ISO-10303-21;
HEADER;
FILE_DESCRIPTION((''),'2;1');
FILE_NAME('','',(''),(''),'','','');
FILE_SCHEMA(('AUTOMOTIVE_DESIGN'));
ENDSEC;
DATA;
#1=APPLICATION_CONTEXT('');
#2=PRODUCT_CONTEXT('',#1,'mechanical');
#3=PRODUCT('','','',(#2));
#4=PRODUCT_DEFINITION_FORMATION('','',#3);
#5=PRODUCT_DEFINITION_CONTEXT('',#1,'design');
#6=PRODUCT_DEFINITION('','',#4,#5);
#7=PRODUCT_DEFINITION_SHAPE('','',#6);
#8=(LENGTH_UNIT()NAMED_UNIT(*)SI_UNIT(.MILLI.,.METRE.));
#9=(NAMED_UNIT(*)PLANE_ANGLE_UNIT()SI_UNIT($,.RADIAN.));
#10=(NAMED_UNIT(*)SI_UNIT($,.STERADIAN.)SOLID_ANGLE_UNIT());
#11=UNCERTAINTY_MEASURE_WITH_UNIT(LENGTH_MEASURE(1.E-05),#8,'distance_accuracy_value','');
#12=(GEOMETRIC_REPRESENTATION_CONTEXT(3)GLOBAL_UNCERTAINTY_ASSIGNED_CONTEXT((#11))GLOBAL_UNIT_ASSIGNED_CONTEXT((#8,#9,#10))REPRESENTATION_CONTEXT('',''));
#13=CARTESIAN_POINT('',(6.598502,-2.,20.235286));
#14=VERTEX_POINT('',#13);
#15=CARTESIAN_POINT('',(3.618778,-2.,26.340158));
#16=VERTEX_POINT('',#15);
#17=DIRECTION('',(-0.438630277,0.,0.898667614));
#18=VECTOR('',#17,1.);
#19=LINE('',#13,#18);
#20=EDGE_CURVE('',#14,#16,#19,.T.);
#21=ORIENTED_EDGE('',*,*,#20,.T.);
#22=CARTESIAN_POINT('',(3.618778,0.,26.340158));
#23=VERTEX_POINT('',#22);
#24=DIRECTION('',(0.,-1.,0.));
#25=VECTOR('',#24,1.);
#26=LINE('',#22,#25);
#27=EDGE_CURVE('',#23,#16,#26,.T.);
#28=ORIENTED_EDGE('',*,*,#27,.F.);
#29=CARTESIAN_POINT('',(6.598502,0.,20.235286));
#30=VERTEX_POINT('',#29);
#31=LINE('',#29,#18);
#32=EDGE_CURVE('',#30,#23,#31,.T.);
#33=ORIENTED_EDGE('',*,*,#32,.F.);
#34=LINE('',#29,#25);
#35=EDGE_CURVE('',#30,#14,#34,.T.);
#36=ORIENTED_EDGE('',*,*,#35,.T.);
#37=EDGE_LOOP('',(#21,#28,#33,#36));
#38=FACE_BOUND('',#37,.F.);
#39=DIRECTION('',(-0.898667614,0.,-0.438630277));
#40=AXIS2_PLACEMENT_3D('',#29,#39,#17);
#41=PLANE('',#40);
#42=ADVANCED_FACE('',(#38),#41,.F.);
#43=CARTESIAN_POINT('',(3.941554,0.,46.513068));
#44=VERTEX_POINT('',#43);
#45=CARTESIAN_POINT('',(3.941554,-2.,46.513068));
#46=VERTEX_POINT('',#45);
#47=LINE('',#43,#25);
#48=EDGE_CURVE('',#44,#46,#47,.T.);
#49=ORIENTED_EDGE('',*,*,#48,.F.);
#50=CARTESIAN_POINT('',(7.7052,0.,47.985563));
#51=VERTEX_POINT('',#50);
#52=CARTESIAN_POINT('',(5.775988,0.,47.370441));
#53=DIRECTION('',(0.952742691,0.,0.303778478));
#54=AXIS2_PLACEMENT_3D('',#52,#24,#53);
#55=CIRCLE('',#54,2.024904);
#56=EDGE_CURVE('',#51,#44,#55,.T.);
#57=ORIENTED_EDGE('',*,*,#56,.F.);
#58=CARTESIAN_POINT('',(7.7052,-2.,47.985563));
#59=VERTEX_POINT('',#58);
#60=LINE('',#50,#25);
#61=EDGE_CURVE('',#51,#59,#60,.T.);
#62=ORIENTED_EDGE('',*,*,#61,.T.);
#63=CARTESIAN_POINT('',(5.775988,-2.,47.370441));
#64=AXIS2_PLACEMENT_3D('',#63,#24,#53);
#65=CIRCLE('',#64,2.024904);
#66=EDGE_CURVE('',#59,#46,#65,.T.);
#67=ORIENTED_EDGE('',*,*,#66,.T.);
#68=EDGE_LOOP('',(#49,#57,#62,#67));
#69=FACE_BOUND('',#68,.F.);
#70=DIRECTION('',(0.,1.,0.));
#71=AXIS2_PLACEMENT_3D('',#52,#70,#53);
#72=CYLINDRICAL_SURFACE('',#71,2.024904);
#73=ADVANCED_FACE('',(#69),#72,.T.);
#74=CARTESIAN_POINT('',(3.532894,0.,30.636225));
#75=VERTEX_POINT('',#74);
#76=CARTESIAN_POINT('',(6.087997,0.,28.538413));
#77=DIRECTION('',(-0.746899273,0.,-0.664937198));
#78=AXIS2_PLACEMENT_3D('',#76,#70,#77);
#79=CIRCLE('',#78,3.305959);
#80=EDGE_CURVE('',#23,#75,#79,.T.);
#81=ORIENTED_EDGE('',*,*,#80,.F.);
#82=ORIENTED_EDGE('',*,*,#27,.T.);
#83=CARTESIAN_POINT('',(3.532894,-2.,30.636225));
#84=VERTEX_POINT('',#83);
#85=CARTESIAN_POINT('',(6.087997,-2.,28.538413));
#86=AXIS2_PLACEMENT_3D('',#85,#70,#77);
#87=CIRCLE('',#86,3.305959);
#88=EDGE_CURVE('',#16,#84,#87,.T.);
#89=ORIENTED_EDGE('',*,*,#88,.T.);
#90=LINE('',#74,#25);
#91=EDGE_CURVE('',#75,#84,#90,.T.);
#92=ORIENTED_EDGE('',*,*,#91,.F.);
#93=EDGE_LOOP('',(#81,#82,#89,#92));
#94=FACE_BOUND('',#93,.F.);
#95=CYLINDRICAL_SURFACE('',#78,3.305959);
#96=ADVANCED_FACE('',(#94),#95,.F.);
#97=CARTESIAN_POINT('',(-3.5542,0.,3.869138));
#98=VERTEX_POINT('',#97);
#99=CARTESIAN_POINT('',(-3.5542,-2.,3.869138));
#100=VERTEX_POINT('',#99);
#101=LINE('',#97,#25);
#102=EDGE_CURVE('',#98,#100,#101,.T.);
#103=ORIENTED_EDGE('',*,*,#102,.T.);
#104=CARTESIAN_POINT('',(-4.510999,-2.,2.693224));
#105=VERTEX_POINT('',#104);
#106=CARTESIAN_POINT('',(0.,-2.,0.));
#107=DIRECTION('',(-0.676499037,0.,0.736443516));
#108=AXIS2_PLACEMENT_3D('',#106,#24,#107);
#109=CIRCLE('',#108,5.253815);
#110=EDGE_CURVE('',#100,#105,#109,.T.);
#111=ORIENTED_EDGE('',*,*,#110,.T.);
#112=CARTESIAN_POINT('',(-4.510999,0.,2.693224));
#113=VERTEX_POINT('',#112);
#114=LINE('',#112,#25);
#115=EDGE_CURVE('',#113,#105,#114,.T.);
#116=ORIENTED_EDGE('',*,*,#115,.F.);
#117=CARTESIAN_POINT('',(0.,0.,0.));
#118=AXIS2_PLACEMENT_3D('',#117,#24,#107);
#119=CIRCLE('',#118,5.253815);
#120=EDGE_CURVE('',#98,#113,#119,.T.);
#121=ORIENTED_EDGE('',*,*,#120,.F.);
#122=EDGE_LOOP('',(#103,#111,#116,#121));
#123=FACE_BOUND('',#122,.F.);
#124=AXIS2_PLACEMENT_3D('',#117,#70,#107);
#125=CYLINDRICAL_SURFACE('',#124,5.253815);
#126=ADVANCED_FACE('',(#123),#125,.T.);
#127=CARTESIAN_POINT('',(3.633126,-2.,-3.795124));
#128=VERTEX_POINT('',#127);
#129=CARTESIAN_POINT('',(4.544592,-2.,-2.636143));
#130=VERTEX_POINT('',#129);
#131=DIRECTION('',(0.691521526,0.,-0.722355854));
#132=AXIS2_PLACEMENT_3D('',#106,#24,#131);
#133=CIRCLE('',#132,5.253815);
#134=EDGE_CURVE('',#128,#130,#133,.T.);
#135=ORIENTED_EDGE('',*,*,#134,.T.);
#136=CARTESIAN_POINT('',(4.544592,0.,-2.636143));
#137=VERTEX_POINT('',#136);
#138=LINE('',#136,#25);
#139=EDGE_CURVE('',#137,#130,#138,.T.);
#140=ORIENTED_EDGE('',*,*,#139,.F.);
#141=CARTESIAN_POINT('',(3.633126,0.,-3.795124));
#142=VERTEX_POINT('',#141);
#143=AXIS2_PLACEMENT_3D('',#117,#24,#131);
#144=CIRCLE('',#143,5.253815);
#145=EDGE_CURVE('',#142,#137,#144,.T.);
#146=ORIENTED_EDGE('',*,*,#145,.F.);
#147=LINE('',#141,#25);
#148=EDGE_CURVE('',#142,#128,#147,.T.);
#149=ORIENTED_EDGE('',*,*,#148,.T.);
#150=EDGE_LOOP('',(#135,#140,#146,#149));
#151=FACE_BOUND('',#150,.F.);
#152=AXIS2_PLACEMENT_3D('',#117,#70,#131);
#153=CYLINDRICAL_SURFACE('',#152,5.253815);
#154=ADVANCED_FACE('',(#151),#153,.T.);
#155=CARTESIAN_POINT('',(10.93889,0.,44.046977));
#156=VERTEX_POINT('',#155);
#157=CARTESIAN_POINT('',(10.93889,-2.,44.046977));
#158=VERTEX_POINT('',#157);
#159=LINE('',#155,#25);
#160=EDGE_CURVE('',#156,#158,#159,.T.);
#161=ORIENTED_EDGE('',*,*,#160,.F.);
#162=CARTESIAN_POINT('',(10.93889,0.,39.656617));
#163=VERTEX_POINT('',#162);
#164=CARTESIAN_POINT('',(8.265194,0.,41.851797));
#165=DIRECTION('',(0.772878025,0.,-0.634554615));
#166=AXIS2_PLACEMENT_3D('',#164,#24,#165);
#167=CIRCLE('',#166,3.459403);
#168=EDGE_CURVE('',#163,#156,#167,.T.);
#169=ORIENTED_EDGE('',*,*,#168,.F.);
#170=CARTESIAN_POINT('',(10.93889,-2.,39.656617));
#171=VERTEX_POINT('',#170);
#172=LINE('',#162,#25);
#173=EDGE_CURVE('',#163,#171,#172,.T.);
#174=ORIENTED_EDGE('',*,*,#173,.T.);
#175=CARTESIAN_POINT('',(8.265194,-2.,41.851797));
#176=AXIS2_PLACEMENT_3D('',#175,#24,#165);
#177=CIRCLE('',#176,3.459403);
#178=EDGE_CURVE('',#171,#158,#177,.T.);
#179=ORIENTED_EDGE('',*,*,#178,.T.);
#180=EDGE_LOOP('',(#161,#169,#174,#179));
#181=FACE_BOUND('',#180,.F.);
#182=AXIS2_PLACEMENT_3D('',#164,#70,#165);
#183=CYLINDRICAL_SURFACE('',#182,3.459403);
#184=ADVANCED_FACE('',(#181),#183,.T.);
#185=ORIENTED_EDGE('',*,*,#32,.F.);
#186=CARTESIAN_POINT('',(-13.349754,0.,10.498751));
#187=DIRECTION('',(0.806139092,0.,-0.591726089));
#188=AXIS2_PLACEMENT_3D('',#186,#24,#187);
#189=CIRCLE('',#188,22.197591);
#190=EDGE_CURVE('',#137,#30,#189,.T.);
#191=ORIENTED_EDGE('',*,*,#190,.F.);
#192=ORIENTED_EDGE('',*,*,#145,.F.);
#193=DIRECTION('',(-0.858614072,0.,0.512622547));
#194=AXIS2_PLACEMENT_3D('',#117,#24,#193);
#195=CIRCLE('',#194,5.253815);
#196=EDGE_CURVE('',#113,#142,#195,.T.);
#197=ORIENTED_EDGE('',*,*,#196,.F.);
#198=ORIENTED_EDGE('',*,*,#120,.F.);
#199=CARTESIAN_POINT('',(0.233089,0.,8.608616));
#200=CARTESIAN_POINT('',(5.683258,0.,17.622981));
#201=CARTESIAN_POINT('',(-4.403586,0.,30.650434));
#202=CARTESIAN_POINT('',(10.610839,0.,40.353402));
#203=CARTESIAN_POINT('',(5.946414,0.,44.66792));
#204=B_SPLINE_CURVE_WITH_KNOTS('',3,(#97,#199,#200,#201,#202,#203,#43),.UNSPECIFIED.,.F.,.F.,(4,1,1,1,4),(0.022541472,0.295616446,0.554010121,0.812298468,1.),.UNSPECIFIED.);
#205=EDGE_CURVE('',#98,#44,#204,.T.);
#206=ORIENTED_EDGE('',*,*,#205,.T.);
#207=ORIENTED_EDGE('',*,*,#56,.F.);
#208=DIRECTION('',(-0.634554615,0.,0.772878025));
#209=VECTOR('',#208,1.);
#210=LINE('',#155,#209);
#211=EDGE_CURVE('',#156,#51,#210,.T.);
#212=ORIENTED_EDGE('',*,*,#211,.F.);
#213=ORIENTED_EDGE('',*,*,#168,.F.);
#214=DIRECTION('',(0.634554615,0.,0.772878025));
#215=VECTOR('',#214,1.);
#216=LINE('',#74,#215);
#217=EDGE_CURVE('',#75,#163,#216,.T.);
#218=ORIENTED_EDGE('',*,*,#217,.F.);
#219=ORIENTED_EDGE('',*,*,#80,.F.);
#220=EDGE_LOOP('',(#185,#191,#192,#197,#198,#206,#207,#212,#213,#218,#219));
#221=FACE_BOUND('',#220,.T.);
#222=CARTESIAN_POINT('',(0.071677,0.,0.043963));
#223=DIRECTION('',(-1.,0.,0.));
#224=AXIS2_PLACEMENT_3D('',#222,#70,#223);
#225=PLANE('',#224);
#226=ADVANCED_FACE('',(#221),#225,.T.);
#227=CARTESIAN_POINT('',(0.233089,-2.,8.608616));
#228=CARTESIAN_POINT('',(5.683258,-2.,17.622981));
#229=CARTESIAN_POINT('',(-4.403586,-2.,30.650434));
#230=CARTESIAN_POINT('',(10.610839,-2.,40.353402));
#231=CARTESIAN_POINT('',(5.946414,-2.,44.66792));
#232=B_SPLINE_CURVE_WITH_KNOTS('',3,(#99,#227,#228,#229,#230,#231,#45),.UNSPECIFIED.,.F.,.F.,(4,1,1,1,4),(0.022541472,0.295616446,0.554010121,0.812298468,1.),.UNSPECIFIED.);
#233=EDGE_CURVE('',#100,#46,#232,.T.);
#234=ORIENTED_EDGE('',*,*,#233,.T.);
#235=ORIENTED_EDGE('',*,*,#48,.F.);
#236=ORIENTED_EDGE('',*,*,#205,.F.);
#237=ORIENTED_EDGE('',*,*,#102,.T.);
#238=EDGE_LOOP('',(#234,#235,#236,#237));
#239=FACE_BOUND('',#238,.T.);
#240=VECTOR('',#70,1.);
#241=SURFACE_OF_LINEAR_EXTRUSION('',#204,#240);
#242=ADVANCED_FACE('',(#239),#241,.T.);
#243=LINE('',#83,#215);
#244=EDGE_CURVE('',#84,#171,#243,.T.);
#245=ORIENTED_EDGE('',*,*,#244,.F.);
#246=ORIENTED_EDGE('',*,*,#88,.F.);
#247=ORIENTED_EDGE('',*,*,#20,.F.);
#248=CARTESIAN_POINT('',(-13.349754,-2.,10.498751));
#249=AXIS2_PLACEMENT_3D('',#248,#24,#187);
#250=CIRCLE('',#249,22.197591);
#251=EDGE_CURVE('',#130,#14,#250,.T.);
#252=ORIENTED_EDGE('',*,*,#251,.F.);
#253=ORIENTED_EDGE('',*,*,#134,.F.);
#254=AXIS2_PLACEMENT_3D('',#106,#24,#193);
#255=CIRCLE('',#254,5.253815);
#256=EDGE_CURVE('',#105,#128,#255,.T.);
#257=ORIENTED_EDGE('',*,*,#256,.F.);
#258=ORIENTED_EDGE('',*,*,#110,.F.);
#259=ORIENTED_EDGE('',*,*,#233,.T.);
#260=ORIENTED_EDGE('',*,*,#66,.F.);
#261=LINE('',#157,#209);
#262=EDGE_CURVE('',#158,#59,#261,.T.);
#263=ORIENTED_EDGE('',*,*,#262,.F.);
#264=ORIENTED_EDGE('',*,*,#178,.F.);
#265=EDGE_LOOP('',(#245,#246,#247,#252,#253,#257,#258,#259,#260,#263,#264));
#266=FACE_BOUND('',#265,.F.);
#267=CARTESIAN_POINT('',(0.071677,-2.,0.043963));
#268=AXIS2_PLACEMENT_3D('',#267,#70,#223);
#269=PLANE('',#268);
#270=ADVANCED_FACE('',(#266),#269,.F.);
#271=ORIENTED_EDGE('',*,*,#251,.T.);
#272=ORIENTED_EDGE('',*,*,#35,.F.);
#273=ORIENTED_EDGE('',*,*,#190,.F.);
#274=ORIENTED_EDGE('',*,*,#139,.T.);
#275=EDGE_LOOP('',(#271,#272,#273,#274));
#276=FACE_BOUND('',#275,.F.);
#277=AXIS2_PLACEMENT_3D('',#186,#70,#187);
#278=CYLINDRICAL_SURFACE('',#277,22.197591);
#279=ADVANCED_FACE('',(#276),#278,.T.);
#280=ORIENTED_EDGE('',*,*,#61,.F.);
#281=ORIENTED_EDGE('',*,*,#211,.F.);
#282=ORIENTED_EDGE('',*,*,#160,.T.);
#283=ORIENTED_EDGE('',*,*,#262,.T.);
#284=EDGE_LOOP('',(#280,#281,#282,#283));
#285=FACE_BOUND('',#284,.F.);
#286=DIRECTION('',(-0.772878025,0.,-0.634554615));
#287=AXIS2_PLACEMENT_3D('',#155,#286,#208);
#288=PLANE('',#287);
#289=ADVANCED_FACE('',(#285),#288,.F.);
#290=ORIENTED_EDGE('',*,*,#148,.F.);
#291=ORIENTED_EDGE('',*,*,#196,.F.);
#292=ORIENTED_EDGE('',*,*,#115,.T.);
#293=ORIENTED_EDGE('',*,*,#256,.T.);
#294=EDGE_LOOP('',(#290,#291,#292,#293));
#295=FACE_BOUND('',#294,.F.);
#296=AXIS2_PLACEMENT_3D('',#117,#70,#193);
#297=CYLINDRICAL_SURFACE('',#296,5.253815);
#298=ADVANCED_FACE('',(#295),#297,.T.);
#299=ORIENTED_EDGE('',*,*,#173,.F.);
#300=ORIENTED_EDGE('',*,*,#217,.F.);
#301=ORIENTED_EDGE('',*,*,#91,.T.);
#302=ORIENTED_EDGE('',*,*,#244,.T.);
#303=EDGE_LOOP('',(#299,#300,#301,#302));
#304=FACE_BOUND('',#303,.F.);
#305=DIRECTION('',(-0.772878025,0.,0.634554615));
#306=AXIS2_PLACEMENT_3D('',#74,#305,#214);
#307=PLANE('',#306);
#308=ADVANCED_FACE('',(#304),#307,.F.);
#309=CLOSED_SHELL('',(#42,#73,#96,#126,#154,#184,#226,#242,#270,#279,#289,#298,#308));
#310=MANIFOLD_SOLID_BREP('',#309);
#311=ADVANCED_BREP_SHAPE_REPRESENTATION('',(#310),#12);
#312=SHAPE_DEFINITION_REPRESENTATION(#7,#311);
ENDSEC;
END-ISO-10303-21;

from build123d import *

# Parameters (mm, degrees)
F1_DEPTH = 2


with BuildPart() as f1:
    # F0 (on Front) → F1 (new body)
    with BuildSketch(Plane.XZ):
        with BuildLine():
            add(Edge.make_bspline(
                [(-4.5109990913, 2.6932237879), (-4.186182771, 3.0859454597), (-3.8668291746, 3.4779087892), (-3.5542004754, 3.86913765)],
                knots=[0, 0, 0, 0, 0.0225414722, 0.0225414722, 0.0225414722, 0.0225414722], degree=3))
            ThreePointArc((-4.5109990913, 2.6932237879), (-3.2737331278, -4.1091651928), (3.6331258428, -3.795123685))
            ThreePointArc((3.6331258428, -3.795123685), (4.0984846738, -3.2232032554), (4.5445921749, -2.6361428523))
            ThreePointArc((4.5445921749, -2.6361428523), (5.0734116529, -1.3649400623), (5.2538145355, 0))
            ThreePointArc((5.2538145355, 0), (2.1129904228, 4.8101807291), (-3.5542004754, 3.86913765))
        make_face()
        with BuildLine():
            ThreePointArc((-3.5542004754, 3.86913765), (-4.0752367251, 3.3158728577), (-4.5109990913, 2.6932237879))
            add(Edge.make_bspline(
                [(-4.5109990913, 2.6932237879), (-4.186182771, 3.0859454597), (-3.8668291746, 3.4779087892), (-3.5542004754, 3.86913765)],
                knots=[0, 0, 0, 0, 0.0225414722, 0.0225414722, 0.0225414722, 0.0225414722], degree=3))
        make_face()
        with BuildLine():
            ThreePointArc((4.5445921749, -2.6361428523), (4.0984846738, -3.2232032554), (3.6331258428, -3.795123685))
            ThreePointArc((3.6331258428, -3.795123685), (4.1297187721, -3.2477669308), (4.5445921749, -2.6361428523))
        make_face()
        with BuildLine():
            add(Edge.make_bspline(
                [(-3.5542004754, 3.86913765), (0.2330886973, 8.6086156073), (5.6832580788, 17.6229814914), (-4.4035858893, 30.6504335807), (10.6108386332, 40.3534022106), (5.9464135427, 44.6679200089), (3.9415542796, 46.5130676717)],
                knots=[0.0225414722, 0.0225414722, 0.0225414722, 0.0225414722, 0.2956164456, 0.5540101207, 0.8122984675, 1, 1, 1, 1], degree=3))
            ThreePointArc((-3.5542004754, 3.86913765), (2.1129904228, 4.8101807291), (5.2538145355, 0))
            ThreePointArc((5.2538145355, 0), (5.0734116529, -1.3649400623), (4.5445921749, -2.6361428523))
            ThreePointArc((4.5445921749, -2.6361428523), (8.7588690962, 8.5133425197), (6.5985024764, 20.2352864753))
            Line((6.5985024764, 20.2352864753), (3.618778496, 26.3401578895))
            ThreePointArc((3.618778496, 26.3401578895), (2.7826983, 28.4723352188), (3.5328938068, 30.6362245319))
            Line((3.5328938068, 30.6362245319), (10.9388902111, 39.6566173219))
            ThreePointArc((10.9388902111, 39.6566173219), (11.7245966278, 41.8517973865), (10.9388902111, 44.0469774511))
            Line((10.9388902111, 44.0469774511), (7.7052004929, 47.9855631359))
            ThreePointArc((7.7052004929, 47.9855631359), (5.0382167529, 49.2561581524), (3.9415542796, 46.5130676717))
        make_face()
    extrude(amount=F1_DEPTH)


solid = f1.part
